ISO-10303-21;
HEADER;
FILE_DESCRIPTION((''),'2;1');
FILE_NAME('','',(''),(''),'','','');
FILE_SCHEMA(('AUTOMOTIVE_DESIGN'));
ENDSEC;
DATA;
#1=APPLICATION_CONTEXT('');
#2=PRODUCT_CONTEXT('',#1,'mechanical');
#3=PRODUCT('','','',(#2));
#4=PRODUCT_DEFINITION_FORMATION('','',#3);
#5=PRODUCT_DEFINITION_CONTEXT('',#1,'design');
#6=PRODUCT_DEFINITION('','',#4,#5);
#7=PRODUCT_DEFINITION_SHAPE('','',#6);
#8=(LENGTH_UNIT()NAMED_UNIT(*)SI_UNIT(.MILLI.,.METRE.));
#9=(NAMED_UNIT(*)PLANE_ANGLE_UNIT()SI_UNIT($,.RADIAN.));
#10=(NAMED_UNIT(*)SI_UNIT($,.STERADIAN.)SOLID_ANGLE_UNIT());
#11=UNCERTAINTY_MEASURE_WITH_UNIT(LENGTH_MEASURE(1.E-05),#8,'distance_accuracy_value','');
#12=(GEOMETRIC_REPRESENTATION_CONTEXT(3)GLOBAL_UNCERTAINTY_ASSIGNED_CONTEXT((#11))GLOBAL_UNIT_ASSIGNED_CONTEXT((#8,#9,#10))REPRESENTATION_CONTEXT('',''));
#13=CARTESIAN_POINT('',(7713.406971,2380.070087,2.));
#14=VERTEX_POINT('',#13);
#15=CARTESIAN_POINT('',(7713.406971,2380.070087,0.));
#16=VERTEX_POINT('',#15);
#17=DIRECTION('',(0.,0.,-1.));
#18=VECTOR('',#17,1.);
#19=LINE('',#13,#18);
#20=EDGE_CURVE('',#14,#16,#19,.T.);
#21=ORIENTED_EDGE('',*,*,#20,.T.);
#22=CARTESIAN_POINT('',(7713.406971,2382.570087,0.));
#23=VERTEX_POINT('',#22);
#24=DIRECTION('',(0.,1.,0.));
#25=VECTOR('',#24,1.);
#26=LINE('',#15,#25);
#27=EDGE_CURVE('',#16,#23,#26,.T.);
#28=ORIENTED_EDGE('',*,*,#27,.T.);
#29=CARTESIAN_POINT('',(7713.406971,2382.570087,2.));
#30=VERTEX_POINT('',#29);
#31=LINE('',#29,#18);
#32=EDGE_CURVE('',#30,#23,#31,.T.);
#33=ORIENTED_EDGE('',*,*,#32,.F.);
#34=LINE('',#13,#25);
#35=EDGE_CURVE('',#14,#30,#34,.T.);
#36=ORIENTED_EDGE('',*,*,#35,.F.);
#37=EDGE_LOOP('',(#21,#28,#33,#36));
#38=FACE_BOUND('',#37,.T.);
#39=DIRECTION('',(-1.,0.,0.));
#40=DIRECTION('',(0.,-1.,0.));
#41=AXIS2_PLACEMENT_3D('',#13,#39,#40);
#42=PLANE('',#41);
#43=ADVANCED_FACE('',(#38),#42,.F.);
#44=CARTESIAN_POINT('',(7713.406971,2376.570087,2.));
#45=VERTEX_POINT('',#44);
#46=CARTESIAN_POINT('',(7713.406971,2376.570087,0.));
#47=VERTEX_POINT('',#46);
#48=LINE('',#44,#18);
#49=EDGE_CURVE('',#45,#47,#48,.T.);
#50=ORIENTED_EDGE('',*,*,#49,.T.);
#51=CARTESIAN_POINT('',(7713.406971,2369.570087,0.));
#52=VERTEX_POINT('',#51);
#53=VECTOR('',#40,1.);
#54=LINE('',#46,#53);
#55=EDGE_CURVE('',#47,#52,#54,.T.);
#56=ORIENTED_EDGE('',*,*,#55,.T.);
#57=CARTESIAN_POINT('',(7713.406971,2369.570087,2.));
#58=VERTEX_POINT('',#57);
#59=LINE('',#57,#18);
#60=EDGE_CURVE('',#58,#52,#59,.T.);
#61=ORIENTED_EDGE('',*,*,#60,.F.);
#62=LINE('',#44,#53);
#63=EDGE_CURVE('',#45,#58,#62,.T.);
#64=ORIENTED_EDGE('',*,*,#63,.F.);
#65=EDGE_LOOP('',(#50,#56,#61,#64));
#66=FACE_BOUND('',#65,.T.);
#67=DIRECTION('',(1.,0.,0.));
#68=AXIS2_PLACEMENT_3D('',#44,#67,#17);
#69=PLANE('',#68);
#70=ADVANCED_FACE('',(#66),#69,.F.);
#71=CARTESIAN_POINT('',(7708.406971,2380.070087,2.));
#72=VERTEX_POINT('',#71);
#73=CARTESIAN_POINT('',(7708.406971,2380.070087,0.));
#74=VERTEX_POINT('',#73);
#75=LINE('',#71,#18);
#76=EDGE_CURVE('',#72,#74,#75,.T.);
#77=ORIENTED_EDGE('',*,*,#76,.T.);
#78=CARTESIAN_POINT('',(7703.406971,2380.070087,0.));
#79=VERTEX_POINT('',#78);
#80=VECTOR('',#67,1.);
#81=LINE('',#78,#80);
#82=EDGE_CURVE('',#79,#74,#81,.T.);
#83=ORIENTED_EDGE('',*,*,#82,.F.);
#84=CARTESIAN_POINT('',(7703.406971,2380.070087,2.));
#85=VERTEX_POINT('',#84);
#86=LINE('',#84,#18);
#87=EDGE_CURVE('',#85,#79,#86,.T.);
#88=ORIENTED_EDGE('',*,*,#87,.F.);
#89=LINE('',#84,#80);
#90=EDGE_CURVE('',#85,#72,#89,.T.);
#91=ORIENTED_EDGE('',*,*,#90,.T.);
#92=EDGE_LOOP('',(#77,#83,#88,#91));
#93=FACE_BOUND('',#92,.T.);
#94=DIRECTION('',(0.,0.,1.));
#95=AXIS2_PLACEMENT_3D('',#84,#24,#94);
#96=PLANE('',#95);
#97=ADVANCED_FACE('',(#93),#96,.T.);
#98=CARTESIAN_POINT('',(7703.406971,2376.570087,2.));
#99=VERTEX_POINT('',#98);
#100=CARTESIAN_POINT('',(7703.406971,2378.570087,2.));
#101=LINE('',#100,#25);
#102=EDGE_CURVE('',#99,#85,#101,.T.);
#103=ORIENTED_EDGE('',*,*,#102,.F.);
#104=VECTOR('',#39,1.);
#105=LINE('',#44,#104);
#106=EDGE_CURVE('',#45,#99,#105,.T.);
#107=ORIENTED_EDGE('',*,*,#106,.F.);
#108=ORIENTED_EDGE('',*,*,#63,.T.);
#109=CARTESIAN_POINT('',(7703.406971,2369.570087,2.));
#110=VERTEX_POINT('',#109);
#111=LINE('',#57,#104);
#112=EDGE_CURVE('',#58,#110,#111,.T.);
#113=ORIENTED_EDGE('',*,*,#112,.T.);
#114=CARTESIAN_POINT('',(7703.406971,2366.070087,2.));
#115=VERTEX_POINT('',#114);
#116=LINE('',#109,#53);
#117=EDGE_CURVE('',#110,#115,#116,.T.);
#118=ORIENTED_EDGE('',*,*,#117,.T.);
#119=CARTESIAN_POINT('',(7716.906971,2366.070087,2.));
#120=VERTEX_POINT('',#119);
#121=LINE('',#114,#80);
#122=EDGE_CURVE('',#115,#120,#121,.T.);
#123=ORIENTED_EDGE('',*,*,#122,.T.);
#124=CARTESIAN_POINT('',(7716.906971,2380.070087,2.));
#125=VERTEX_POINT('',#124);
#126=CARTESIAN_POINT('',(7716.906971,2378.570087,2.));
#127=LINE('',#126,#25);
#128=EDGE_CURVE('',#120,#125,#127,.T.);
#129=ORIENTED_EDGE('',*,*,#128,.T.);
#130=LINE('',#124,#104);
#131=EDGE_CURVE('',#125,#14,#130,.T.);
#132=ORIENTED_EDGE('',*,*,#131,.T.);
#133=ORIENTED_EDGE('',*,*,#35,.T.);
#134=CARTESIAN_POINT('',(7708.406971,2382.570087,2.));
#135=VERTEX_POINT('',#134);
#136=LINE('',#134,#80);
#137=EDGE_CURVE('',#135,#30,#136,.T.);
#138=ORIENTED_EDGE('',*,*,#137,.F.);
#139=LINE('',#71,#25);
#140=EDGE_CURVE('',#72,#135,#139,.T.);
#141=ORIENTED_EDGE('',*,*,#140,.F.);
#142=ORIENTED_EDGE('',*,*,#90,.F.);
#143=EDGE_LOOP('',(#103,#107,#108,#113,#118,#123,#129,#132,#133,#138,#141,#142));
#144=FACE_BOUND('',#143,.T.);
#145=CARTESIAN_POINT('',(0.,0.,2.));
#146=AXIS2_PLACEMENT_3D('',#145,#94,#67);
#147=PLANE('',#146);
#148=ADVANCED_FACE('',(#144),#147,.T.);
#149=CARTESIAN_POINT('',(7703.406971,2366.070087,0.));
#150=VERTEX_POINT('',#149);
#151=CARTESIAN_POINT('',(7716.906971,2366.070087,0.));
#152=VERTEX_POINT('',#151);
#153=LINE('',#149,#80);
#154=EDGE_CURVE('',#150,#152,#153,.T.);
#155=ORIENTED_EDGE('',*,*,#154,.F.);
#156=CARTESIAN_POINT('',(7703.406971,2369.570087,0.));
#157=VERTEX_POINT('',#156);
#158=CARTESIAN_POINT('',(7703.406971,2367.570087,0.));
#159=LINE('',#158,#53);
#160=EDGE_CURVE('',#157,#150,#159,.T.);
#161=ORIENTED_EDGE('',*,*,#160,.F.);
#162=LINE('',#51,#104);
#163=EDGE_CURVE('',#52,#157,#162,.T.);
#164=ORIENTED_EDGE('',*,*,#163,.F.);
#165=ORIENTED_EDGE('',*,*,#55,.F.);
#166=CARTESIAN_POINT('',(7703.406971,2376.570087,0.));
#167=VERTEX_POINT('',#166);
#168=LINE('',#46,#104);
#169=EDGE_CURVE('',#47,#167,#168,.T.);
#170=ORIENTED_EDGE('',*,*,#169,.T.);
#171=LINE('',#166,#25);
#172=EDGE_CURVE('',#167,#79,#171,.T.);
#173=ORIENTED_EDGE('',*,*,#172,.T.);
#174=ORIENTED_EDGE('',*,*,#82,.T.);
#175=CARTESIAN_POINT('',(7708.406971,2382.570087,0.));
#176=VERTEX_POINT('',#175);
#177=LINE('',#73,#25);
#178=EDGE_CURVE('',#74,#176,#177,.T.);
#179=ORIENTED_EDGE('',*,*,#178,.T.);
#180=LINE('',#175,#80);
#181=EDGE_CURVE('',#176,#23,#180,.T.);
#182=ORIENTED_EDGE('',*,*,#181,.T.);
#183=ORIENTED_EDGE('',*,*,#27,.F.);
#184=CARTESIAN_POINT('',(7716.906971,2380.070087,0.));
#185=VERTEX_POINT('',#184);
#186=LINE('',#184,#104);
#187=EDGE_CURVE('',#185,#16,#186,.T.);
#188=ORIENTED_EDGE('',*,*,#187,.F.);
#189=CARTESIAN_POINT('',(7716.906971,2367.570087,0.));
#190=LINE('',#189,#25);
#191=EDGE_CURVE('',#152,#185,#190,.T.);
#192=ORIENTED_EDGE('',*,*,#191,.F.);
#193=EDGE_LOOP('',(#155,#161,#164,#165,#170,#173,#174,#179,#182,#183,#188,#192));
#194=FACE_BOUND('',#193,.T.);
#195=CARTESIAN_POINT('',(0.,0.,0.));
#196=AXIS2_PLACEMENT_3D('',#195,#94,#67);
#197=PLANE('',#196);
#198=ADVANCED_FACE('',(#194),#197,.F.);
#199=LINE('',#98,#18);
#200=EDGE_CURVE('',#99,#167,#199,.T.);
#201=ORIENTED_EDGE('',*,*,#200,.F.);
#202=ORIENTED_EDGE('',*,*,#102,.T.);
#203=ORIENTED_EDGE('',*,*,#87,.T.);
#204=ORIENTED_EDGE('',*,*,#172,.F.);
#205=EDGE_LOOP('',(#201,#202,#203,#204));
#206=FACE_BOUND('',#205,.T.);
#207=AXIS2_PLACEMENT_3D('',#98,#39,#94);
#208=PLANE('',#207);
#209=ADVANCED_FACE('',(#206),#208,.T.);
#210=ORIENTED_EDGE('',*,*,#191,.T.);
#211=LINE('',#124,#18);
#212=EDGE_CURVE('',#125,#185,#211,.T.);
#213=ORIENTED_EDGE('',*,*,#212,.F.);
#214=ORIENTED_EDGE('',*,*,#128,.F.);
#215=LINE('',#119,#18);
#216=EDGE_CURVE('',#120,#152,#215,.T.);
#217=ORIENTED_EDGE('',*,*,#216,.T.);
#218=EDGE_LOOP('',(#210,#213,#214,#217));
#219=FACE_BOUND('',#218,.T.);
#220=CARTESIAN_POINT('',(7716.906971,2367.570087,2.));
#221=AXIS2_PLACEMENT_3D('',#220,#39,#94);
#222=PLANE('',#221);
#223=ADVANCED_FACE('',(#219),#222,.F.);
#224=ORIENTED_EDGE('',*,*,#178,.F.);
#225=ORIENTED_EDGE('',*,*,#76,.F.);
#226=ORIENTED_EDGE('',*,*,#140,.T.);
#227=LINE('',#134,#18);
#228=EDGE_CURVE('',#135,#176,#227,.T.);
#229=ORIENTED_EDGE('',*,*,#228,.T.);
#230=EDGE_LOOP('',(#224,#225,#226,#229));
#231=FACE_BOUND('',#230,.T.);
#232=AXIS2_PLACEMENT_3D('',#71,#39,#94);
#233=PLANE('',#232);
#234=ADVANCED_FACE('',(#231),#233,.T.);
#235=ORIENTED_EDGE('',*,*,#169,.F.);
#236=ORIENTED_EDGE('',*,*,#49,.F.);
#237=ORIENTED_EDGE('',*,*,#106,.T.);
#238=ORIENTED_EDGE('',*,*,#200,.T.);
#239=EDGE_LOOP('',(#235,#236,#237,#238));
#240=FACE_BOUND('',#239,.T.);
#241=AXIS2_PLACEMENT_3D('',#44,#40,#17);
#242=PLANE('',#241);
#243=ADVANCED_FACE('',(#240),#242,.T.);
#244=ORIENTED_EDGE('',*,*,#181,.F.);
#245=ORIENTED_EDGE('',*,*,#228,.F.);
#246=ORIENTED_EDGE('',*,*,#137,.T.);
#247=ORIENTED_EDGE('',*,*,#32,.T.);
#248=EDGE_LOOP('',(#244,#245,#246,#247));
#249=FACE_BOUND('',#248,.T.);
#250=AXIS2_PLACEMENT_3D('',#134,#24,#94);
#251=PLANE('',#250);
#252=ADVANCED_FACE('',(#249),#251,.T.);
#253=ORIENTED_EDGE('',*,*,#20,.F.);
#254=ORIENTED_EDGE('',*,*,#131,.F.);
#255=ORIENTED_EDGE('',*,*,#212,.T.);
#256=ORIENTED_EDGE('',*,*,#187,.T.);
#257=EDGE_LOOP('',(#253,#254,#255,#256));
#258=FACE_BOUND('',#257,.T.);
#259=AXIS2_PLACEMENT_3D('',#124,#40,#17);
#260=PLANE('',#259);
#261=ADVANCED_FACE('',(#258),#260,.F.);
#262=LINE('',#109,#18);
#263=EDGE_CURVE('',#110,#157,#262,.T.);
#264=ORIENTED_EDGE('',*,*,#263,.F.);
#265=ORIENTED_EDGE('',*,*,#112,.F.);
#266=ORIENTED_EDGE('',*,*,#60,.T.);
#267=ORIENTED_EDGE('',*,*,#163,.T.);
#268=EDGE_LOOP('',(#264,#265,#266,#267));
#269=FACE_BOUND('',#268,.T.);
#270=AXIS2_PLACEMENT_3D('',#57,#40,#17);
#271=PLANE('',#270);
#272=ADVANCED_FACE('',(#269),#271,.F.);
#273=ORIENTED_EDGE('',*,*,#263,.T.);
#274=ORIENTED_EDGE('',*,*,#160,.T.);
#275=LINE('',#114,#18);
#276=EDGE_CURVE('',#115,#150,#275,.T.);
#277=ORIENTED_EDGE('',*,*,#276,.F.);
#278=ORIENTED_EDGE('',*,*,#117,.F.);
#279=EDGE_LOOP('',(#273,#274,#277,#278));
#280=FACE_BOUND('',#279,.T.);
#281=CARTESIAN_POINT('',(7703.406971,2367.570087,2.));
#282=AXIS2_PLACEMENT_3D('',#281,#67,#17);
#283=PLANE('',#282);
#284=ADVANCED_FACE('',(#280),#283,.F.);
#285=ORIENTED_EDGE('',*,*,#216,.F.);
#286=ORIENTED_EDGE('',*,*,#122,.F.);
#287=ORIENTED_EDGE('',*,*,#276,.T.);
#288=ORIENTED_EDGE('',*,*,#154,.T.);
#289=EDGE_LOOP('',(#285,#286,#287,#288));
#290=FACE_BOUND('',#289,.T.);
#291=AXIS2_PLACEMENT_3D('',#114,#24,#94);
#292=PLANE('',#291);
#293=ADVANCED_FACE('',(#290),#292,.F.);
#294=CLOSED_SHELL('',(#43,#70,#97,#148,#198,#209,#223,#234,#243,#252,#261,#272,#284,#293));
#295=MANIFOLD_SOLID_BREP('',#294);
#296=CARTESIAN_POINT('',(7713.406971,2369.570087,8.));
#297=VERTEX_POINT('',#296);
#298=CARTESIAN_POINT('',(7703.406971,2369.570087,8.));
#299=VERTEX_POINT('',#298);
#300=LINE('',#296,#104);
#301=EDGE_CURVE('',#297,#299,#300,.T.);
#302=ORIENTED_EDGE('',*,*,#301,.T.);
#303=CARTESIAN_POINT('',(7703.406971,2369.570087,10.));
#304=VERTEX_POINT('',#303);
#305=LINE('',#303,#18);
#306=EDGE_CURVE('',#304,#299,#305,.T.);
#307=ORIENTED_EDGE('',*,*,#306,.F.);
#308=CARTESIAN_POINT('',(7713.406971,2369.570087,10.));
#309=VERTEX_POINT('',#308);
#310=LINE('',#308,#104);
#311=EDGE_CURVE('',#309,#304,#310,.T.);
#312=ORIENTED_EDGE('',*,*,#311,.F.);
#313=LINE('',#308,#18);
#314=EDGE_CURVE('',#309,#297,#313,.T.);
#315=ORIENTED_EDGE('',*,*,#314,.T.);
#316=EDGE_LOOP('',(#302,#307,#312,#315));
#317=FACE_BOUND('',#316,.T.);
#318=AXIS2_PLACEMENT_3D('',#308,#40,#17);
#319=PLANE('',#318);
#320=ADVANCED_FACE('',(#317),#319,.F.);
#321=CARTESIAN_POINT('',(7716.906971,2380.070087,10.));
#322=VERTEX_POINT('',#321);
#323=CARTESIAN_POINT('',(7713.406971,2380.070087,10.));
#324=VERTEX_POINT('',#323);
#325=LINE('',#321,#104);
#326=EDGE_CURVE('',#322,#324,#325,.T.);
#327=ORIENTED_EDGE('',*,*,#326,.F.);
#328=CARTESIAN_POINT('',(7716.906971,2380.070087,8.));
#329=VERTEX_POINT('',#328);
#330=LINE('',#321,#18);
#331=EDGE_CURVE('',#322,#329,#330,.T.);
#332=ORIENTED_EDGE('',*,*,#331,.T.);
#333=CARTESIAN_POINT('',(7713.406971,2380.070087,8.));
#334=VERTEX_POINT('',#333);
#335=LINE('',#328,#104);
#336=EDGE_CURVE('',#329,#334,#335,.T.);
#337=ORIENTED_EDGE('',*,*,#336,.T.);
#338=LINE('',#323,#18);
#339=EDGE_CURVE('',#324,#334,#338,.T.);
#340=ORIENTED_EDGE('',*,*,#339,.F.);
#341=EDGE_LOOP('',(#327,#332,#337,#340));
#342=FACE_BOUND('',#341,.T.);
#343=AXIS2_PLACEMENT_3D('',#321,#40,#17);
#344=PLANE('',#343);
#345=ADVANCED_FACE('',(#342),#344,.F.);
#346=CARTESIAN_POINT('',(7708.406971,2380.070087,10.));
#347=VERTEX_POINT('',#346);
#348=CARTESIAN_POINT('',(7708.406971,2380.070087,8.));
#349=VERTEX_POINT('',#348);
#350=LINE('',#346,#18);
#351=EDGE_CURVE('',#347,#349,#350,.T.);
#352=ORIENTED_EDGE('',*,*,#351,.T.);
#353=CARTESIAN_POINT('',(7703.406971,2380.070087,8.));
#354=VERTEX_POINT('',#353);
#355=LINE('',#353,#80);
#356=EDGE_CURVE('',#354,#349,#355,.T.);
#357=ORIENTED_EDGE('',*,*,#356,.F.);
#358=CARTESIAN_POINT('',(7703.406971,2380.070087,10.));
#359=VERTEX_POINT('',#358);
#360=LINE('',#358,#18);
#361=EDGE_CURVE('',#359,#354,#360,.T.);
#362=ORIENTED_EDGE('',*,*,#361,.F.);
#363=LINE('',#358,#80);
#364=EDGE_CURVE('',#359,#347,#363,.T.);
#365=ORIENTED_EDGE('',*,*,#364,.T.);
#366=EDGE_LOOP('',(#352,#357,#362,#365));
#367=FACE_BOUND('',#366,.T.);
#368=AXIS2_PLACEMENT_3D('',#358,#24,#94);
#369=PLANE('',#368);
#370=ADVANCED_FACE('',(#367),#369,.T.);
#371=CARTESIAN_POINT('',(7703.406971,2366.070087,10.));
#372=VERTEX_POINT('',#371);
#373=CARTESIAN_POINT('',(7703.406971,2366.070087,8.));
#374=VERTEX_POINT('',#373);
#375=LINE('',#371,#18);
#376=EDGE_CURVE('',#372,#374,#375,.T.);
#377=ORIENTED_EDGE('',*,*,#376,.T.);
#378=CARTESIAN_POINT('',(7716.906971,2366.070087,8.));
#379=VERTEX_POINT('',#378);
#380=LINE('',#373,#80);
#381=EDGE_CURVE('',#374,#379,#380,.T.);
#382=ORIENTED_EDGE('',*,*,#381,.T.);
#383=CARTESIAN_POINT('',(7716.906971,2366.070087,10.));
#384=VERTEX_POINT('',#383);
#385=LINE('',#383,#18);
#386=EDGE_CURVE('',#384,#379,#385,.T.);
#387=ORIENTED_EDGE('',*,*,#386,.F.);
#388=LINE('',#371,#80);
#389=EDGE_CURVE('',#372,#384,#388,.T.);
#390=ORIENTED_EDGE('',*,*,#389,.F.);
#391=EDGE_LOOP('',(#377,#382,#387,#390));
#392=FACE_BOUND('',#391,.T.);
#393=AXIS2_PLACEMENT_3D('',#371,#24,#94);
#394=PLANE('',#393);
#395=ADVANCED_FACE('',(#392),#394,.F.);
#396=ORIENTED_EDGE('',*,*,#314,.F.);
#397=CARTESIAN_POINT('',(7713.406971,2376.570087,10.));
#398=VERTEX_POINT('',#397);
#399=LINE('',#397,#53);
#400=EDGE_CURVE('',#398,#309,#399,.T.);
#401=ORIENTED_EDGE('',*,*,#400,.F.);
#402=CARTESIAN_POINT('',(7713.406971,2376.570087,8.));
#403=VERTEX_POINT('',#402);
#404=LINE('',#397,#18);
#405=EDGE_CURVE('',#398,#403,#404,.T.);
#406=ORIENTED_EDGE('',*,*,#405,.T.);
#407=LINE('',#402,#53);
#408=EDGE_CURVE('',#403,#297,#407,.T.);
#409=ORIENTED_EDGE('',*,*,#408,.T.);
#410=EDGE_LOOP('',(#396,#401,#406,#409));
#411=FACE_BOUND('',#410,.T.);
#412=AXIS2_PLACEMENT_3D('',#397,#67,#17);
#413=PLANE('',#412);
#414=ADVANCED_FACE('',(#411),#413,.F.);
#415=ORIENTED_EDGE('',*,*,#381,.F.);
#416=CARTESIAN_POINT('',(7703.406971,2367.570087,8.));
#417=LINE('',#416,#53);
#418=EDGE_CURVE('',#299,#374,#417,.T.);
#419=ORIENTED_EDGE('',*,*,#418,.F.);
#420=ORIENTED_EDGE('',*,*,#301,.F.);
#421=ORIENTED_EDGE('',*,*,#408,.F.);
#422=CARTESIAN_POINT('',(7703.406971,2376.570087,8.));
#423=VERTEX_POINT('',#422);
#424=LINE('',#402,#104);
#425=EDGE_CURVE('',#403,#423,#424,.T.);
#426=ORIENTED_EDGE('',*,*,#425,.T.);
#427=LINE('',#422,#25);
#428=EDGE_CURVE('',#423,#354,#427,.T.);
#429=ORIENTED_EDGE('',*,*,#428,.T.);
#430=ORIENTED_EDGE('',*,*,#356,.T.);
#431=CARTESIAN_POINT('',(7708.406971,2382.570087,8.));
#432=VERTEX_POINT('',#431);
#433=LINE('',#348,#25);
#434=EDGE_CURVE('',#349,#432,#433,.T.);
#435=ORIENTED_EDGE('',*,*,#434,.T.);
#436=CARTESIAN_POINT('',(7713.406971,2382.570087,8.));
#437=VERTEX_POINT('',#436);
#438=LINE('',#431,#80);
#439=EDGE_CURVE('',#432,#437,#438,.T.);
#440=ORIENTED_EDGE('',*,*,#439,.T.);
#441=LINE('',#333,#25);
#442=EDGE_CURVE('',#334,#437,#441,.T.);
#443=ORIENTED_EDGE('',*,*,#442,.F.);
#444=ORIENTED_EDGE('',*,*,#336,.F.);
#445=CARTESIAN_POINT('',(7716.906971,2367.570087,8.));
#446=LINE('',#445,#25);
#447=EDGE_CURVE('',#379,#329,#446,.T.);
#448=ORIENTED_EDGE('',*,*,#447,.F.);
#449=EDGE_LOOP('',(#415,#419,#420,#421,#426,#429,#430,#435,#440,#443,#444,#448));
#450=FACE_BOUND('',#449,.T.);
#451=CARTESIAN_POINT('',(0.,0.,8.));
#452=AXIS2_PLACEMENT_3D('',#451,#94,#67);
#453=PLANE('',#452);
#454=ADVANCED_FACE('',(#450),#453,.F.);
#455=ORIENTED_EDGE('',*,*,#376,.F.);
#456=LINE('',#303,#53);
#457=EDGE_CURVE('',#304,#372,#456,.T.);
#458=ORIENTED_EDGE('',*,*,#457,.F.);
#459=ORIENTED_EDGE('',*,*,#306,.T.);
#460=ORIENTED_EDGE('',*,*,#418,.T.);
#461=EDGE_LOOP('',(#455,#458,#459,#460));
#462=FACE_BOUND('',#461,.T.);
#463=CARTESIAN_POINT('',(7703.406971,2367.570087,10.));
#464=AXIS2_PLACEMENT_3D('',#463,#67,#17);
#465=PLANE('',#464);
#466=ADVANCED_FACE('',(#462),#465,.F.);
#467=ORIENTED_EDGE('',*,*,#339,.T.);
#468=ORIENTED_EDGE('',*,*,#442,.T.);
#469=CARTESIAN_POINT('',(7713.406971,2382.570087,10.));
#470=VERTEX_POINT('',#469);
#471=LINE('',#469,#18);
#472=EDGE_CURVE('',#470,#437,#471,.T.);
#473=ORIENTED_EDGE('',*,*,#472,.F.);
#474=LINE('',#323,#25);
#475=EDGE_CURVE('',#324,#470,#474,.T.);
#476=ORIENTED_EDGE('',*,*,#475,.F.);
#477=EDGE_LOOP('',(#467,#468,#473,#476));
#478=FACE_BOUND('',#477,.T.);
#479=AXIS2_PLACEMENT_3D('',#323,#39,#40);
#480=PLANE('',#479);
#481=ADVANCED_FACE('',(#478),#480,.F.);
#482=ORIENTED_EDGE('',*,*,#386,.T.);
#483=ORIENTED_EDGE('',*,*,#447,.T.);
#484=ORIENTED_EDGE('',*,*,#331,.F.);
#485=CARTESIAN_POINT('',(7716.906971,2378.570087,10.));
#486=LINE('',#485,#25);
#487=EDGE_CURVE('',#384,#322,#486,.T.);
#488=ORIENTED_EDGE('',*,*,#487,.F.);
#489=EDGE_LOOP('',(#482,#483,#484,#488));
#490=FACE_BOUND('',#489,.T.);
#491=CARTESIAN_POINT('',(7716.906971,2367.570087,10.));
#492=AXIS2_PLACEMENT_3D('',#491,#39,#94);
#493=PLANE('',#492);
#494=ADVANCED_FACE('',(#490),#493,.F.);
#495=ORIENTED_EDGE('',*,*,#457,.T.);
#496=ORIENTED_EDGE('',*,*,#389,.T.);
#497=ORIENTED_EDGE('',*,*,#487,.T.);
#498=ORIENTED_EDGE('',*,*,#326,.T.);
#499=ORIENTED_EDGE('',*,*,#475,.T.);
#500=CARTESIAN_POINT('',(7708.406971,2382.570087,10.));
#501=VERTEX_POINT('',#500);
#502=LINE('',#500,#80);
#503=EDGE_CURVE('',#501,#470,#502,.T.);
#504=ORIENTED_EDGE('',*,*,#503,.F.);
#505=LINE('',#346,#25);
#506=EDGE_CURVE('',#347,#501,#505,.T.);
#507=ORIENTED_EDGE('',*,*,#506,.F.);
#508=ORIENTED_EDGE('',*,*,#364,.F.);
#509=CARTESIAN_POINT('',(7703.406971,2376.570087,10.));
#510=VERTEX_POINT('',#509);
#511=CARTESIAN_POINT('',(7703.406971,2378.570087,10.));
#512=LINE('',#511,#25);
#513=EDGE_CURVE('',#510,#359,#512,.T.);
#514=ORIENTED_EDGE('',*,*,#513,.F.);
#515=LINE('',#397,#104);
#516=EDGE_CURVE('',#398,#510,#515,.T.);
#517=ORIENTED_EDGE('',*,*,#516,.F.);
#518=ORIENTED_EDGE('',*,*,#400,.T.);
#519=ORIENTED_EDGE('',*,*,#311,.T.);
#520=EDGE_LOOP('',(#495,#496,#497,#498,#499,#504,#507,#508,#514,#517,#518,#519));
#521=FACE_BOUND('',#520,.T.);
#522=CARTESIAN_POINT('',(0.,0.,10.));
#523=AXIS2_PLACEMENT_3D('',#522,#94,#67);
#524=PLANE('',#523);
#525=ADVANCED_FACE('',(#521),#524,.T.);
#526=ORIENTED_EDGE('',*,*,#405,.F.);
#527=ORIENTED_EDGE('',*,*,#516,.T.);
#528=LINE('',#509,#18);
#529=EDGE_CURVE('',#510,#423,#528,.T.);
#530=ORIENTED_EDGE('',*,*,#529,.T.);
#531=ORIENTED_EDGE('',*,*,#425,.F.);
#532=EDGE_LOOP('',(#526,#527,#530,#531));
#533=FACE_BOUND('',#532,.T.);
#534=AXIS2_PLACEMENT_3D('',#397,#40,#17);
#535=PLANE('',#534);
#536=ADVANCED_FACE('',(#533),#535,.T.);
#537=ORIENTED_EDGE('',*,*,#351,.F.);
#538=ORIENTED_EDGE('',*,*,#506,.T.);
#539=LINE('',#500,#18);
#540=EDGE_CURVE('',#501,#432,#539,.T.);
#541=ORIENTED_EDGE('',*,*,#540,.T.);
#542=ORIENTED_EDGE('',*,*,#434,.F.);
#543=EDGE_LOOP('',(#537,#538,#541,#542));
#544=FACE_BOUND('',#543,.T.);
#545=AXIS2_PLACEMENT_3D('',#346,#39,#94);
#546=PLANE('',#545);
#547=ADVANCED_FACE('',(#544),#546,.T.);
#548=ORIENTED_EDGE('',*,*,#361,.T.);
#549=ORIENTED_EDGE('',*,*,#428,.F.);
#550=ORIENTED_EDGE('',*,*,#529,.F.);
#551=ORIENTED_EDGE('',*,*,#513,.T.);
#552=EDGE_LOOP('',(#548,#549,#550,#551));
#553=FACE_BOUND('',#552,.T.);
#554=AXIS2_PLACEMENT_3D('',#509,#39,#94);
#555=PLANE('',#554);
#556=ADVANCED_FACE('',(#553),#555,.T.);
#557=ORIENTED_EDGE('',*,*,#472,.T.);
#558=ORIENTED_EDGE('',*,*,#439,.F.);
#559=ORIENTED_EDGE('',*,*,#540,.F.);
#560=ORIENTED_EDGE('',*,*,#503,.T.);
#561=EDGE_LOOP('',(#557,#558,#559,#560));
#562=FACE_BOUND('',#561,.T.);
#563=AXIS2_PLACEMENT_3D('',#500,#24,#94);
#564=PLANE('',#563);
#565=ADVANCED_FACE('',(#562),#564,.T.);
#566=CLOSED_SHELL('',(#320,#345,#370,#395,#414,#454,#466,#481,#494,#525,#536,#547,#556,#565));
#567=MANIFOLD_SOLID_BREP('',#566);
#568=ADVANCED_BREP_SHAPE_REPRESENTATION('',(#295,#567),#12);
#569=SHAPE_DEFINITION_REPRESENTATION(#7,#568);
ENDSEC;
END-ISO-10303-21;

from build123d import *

# Parameters (mm, degrees)
EXTRUDE_1_DEPTH        = 2
PATTERN_LINEAR_1_COUNT = 2
PATTERN_LINEAR_1_PITCH = 8


with BuildPart() as part:
    # 草图8 → 凸台-拉伸1 (new body)
    with BuildSketch(Plane.XY):
        Polygon((7713.406970683, 2376.570087092), (7713.406970683, 2369.570087092), (7703.406970683, 2369.570087092), (7703.406970683, 2367.570087092), (7703.406970683, 2366.070087092), (7716.906970683, 2366.070087092), (7716.906970683, 2367.570087092), (7716.906970683, 2378.570087092), (7716.906970683, 2380.070087092), (7713.406970683, 2380.070087092), (7713.406970683, 2382.570087092), (7708.406970683, 2382.570087092), (7708.406970683, 2380.070087092), (7703.406970683, 2380.070087092), (7703.406970683, 2378.570087092), (7703.406970683, 2376.570087092), align=None)
    extrude(amount=EXTRUDE_1_DEPTH)


with BuildPart() as pattern_linear_1_1:
    # 阵列(线性)1: pattern copy
    add(part.part.moved(Location(Vector(0, 0, 1) * (1 * PATTERN_LINEAR_1_PITCH))))


solid = Compound([part.part, pattern_linear_1_1.part])
